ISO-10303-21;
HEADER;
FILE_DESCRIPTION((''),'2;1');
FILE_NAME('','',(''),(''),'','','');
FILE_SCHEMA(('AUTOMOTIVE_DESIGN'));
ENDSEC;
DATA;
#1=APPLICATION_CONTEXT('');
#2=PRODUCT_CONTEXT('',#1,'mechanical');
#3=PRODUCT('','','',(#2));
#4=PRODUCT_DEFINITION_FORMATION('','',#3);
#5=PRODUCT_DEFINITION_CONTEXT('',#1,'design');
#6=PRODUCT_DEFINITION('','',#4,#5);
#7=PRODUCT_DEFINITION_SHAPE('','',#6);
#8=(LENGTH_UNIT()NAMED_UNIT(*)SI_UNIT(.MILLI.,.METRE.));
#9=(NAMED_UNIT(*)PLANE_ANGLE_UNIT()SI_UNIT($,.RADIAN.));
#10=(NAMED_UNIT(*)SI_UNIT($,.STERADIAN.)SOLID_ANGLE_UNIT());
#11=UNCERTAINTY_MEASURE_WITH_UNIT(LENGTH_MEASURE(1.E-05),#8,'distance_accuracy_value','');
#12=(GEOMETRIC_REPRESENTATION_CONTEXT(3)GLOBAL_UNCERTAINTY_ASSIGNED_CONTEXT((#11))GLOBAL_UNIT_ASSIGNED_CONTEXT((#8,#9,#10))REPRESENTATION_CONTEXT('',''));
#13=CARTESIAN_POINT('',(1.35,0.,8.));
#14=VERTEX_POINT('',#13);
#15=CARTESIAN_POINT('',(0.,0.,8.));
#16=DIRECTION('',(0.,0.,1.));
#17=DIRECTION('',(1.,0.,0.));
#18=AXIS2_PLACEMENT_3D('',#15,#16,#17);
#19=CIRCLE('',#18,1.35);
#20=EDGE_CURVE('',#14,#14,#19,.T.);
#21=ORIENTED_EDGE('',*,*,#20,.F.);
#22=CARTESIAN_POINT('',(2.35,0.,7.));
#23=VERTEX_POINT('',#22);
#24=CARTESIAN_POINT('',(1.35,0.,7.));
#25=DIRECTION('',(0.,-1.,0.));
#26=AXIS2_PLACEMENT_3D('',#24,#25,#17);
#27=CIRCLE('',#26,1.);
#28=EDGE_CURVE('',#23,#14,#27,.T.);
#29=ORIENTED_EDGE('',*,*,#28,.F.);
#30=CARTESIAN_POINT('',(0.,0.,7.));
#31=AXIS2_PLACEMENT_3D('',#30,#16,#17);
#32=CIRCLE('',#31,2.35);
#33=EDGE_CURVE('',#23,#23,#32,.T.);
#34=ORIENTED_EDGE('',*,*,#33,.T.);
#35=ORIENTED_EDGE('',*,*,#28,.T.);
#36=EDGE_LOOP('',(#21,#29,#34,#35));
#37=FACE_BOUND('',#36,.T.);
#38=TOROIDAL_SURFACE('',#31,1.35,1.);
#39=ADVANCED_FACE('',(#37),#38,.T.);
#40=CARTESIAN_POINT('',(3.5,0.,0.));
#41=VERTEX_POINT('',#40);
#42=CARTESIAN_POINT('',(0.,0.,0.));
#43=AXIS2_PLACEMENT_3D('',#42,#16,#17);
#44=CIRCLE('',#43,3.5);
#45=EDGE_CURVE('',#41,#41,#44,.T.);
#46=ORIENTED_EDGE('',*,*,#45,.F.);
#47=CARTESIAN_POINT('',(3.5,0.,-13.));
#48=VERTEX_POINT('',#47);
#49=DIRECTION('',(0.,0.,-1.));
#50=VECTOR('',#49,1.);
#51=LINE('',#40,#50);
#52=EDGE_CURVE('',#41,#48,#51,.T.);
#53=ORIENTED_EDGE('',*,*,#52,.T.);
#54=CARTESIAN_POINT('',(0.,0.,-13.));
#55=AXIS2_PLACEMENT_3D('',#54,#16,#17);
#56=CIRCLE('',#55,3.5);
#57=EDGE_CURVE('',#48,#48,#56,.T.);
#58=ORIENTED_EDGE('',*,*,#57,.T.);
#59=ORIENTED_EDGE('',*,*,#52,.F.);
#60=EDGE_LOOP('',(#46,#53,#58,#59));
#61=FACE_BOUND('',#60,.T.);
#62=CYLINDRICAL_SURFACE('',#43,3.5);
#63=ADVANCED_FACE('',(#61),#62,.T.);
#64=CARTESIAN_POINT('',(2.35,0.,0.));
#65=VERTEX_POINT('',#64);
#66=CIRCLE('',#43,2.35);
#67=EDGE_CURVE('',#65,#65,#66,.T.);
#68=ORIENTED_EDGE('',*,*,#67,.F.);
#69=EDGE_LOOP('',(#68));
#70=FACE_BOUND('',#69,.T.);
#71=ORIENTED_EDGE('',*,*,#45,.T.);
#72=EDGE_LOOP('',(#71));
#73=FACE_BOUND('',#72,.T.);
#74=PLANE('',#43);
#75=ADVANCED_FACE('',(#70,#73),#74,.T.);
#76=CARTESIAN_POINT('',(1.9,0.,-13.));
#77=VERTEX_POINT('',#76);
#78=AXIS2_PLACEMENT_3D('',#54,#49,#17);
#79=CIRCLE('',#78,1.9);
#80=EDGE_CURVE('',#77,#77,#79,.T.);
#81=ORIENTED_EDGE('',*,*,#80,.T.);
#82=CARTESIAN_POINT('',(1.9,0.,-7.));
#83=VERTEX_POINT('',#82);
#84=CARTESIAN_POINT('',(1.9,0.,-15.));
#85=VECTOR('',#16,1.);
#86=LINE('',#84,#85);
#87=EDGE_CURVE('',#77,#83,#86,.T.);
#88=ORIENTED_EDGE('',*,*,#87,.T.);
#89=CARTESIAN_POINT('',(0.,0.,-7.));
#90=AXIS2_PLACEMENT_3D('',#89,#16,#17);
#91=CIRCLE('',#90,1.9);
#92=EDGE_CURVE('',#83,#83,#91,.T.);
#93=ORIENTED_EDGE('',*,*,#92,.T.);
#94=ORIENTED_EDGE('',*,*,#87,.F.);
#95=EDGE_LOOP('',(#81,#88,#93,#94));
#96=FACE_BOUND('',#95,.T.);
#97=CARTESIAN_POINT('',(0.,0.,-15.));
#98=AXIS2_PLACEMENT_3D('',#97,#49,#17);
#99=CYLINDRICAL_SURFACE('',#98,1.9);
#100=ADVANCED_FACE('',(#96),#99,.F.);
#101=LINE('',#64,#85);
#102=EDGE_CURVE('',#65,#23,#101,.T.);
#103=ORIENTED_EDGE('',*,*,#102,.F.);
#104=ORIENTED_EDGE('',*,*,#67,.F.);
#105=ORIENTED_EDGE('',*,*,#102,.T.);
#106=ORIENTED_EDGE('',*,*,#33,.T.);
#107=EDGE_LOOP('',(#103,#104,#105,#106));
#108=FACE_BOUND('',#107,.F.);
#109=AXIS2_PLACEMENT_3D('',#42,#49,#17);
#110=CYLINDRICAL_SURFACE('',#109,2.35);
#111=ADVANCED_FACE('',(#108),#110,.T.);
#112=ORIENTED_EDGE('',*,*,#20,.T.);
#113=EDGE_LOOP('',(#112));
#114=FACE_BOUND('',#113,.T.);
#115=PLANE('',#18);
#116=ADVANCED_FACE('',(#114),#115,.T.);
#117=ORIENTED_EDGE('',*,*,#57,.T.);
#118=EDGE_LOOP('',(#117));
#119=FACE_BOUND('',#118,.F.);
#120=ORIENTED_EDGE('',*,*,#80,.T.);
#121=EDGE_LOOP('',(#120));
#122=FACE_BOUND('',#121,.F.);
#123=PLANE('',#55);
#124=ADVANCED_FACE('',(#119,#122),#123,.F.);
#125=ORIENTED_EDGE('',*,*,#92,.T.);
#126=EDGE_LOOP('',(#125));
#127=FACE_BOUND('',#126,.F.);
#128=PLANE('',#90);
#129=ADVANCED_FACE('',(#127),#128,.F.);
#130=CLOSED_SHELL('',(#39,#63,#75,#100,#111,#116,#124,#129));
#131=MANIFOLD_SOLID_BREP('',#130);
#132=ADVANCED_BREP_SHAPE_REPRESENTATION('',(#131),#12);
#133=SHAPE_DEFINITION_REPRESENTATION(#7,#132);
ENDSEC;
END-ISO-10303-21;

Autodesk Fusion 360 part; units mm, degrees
sketch "Sketch1" plane through (0, 0, 0) normal (0, 0, 1) x (1, 0, 0)
  circle A0 centre (0, 0) radius 2.35
  circle A1 centre (0, 0) radius 3.5
  dimension "d1" = 4.7
  dimension "d4" = 7
extrude "Extrude1" add sketch "Sketch1" along normal blind 8 contours A0
extrude "Extrude2" add sketch "Sketch1" against normal blind 13 contours A0 | A1
ref_plane "WorkPlane1" through (0, 0, -15) normal (0, 0, 1) x (1, 0, 0)
sketch "Sketch2" plane through (0, 0, -15) normal (0, 0, 1) x (1, 0, 0)
  circle A0 centre (0, 0) radius 1.9
  dimension "d8" = 3.8
extrude "Extrude3" cut sketch "Sketch2" along normal blind 8
fillet "Fillet1" radius 1 1 edges at (-2.191, -0.8498, 8)
